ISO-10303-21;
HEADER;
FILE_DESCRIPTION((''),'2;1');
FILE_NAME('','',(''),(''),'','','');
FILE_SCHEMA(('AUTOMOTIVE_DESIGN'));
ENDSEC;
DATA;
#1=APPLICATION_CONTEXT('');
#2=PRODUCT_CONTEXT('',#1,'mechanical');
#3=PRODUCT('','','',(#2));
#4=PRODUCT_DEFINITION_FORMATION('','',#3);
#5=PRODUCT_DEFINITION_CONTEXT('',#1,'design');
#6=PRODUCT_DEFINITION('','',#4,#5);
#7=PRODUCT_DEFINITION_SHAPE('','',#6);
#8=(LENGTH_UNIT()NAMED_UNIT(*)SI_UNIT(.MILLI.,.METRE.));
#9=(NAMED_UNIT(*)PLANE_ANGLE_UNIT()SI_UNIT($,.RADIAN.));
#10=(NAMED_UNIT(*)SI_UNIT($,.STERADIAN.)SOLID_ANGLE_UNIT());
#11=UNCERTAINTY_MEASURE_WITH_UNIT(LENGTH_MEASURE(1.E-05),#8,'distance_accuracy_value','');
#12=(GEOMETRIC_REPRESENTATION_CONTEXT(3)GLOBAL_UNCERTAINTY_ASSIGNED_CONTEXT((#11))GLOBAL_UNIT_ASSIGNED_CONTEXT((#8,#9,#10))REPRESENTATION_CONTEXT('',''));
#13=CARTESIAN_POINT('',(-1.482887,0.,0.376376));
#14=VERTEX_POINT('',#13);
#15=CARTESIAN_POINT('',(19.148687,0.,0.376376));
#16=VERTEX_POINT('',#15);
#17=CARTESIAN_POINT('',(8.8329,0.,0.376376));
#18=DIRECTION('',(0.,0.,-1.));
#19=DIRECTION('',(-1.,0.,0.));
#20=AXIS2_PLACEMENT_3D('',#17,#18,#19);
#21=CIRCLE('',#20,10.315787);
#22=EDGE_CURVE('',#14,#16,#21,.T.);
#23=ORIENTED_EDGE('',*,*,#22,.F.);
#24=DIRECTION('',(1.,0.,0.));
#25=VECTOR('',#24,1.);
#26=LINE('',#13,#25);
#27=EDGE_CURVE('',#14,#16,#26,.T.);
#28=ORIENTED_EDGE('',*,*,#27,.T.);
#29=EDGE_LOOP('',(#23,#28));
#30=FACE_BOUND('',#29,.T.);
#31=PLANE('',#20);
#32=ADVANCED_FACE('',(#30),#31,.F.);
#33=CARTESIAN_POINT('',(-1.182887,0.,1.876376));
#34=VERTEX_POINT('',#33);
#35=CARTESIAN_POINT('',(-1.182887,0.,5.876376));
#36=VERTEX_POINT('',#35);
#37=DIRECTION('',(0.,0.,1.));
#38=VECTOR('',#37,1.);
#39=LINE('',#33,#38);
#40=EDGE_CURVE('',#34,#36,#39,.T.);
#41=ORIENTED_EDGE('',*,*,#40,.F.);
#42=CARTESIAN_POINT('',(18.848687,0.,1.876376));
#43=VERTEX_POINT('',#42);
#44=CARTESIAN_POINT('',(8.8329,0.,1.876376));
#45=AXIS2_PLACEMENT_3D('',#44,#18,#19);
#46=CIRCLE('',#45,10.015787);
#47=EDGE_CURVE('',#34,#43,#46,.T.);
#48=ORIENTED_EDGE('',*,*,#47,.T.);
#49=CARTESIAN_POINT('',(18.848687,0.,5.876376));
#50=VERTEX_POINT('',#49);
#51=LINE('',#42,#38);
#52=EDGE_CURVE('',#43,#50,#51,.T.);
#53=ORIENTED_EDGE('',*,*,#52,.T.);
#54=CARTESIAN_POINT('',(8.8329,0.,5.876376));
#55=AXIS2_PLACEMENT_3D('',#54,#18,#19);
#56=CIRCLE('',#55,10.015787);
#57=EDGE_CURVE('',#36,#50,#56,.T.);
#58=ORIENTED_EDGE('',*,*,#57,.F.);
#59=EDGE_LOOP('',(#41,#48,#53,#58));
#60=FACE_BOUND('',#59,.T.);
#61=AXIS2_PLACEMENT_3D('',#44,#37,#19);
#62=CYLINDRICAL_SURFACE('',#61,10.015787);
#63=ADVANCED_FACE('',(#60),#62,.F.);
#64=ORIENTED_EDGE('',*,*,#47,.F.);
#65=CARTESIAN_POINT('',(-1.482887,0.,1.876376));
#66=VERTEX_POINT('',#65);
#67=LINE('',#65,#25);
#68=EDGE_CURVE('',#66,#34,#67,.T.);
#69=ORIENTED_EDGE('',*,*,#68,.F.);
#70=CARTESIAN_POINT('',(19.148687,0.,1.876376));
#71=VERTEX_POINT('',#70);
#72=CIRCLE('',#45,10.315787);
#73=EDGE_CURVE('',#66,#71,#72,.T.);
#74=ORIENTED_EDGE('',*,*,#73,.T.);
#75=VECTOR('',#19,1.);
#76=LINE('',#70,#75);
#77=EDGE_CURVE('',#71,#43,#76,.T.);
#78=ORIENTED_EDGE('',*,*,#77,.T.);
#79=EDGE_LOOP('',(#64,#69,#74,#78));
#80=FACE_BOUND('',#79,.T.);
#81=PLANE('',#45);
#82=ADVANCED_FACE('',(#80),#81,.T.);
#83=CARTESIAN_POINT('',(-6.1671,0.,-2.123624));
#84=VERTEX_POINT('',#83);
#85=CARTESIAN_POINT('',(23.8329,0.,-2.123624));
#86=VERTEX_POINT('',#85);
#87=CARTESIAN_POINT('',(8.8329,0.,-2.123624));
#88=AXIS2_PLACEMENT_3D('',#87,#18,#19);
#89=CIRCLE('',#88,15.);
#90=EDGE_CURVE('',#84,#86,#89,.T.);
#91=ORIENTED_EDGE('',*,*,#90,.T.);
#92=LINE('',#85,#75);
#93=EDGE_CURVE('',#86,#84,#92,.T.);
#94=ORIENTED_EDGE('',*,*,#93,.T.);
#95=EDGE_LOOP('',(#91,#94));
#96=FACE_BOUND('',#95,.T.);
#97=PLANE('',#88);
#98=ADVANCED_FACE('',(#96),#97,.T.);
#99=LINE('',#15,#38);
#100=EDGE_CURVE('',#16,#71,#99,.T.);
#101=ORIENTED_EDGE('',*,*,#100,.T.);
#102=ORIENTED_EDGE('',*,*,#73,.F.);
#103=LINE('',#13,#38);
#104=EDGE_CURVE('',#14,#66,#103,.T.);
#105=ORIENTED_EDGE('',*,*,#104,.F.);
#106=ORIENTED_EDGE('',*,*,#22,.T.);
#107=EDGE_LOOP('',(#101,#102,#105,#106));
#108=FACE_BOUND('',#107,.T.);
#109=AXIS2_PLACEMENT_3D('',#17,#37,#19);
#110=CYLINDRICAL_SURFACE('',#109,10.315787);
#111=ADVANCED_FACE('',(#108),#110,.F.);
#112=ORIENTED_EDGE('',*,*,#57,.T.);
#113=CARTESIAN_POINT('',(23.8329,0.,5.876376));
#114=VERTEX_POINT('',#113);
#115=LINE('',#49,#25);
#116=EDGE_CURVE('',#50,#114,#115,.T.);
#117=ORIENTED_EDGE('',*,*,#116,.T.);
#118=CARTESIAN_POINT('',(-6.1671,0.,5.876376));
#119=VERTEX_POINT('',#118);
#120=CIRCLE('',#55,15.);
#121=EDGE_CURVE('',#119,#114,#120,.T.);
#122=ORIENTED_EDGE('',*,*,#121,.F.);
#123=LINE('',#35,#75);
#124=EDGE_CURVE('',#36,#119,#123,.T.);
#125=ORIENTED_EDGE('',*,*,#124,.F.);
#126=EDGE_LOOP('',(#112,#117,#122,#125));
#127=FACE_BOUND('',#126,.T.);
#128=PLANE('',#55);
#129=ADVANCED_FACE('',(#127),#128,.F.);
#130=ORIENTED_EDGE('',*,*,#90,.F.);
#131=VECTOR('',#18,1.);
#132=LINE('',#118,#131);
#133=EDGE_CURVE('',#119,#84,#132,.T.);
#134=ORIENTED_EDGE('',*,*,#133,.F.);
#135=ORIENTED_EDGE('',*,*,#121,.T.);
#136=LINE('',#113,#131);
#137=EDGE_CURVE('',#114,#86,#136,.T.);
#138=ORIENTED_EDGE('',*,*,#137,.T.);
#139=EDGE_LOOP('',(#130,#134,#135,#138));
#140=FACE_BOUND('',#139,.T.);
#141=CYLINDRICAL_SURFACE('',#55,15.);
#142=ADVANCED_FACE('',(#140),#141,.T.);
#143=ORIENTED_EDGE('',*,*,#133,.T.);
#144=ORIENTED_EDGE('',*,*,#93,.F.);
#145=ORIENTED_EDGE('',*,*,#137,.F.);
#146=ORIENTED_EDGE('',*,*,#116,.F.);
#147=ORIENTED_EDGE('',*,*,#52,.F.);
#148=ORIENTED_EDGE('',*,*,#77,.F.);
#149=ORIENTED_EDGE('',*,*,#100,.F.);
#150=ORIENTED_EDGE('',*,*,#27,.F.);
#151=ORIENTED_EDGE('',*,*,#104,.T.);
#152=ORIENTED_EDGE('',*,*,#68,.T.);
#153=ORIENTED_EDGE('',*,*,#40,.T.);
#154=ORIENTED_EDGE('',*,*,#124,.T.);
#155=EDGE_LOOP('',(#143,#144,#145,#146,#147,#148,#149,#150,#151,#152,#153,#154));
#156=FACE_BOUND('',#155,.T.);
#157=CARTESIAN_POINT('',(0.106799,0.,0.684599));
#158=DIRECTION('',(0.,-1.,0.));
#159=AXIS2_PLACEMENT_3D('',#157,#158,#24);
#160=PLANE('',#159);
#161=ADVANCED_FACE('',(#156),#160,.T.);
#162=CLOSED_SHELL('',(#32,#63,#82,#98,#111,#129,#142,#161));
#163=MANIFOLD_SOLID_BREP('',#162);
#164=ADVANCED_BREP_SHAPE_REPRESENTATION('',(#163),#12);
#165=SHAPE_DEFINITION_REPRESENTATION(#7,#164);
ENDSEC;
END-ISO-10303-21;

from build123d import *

# Parameters (mm, degrees)
F1_ANGLE = 180


with BuildPart() as f1:
    # F0 (on Front) → F1 (revolve)
    with BuildSketch(Plane.XZ):
        Polygon((-6.1671, -2.123624), (8.8329, -2.123624), (8.8329, 0.376376), (-1.482887, 0.376376), (-1.482887, 1.876376), (-1.182887, 1.876376), (-1.182887, 5.876376), (-6.1671, 5.876376), align=None)
    revolve(axis=Axis((8.8329, 0, -0.873624), (0, 0, -1)), revolution_arc=F1_ANGLE)


solid = f1.part
